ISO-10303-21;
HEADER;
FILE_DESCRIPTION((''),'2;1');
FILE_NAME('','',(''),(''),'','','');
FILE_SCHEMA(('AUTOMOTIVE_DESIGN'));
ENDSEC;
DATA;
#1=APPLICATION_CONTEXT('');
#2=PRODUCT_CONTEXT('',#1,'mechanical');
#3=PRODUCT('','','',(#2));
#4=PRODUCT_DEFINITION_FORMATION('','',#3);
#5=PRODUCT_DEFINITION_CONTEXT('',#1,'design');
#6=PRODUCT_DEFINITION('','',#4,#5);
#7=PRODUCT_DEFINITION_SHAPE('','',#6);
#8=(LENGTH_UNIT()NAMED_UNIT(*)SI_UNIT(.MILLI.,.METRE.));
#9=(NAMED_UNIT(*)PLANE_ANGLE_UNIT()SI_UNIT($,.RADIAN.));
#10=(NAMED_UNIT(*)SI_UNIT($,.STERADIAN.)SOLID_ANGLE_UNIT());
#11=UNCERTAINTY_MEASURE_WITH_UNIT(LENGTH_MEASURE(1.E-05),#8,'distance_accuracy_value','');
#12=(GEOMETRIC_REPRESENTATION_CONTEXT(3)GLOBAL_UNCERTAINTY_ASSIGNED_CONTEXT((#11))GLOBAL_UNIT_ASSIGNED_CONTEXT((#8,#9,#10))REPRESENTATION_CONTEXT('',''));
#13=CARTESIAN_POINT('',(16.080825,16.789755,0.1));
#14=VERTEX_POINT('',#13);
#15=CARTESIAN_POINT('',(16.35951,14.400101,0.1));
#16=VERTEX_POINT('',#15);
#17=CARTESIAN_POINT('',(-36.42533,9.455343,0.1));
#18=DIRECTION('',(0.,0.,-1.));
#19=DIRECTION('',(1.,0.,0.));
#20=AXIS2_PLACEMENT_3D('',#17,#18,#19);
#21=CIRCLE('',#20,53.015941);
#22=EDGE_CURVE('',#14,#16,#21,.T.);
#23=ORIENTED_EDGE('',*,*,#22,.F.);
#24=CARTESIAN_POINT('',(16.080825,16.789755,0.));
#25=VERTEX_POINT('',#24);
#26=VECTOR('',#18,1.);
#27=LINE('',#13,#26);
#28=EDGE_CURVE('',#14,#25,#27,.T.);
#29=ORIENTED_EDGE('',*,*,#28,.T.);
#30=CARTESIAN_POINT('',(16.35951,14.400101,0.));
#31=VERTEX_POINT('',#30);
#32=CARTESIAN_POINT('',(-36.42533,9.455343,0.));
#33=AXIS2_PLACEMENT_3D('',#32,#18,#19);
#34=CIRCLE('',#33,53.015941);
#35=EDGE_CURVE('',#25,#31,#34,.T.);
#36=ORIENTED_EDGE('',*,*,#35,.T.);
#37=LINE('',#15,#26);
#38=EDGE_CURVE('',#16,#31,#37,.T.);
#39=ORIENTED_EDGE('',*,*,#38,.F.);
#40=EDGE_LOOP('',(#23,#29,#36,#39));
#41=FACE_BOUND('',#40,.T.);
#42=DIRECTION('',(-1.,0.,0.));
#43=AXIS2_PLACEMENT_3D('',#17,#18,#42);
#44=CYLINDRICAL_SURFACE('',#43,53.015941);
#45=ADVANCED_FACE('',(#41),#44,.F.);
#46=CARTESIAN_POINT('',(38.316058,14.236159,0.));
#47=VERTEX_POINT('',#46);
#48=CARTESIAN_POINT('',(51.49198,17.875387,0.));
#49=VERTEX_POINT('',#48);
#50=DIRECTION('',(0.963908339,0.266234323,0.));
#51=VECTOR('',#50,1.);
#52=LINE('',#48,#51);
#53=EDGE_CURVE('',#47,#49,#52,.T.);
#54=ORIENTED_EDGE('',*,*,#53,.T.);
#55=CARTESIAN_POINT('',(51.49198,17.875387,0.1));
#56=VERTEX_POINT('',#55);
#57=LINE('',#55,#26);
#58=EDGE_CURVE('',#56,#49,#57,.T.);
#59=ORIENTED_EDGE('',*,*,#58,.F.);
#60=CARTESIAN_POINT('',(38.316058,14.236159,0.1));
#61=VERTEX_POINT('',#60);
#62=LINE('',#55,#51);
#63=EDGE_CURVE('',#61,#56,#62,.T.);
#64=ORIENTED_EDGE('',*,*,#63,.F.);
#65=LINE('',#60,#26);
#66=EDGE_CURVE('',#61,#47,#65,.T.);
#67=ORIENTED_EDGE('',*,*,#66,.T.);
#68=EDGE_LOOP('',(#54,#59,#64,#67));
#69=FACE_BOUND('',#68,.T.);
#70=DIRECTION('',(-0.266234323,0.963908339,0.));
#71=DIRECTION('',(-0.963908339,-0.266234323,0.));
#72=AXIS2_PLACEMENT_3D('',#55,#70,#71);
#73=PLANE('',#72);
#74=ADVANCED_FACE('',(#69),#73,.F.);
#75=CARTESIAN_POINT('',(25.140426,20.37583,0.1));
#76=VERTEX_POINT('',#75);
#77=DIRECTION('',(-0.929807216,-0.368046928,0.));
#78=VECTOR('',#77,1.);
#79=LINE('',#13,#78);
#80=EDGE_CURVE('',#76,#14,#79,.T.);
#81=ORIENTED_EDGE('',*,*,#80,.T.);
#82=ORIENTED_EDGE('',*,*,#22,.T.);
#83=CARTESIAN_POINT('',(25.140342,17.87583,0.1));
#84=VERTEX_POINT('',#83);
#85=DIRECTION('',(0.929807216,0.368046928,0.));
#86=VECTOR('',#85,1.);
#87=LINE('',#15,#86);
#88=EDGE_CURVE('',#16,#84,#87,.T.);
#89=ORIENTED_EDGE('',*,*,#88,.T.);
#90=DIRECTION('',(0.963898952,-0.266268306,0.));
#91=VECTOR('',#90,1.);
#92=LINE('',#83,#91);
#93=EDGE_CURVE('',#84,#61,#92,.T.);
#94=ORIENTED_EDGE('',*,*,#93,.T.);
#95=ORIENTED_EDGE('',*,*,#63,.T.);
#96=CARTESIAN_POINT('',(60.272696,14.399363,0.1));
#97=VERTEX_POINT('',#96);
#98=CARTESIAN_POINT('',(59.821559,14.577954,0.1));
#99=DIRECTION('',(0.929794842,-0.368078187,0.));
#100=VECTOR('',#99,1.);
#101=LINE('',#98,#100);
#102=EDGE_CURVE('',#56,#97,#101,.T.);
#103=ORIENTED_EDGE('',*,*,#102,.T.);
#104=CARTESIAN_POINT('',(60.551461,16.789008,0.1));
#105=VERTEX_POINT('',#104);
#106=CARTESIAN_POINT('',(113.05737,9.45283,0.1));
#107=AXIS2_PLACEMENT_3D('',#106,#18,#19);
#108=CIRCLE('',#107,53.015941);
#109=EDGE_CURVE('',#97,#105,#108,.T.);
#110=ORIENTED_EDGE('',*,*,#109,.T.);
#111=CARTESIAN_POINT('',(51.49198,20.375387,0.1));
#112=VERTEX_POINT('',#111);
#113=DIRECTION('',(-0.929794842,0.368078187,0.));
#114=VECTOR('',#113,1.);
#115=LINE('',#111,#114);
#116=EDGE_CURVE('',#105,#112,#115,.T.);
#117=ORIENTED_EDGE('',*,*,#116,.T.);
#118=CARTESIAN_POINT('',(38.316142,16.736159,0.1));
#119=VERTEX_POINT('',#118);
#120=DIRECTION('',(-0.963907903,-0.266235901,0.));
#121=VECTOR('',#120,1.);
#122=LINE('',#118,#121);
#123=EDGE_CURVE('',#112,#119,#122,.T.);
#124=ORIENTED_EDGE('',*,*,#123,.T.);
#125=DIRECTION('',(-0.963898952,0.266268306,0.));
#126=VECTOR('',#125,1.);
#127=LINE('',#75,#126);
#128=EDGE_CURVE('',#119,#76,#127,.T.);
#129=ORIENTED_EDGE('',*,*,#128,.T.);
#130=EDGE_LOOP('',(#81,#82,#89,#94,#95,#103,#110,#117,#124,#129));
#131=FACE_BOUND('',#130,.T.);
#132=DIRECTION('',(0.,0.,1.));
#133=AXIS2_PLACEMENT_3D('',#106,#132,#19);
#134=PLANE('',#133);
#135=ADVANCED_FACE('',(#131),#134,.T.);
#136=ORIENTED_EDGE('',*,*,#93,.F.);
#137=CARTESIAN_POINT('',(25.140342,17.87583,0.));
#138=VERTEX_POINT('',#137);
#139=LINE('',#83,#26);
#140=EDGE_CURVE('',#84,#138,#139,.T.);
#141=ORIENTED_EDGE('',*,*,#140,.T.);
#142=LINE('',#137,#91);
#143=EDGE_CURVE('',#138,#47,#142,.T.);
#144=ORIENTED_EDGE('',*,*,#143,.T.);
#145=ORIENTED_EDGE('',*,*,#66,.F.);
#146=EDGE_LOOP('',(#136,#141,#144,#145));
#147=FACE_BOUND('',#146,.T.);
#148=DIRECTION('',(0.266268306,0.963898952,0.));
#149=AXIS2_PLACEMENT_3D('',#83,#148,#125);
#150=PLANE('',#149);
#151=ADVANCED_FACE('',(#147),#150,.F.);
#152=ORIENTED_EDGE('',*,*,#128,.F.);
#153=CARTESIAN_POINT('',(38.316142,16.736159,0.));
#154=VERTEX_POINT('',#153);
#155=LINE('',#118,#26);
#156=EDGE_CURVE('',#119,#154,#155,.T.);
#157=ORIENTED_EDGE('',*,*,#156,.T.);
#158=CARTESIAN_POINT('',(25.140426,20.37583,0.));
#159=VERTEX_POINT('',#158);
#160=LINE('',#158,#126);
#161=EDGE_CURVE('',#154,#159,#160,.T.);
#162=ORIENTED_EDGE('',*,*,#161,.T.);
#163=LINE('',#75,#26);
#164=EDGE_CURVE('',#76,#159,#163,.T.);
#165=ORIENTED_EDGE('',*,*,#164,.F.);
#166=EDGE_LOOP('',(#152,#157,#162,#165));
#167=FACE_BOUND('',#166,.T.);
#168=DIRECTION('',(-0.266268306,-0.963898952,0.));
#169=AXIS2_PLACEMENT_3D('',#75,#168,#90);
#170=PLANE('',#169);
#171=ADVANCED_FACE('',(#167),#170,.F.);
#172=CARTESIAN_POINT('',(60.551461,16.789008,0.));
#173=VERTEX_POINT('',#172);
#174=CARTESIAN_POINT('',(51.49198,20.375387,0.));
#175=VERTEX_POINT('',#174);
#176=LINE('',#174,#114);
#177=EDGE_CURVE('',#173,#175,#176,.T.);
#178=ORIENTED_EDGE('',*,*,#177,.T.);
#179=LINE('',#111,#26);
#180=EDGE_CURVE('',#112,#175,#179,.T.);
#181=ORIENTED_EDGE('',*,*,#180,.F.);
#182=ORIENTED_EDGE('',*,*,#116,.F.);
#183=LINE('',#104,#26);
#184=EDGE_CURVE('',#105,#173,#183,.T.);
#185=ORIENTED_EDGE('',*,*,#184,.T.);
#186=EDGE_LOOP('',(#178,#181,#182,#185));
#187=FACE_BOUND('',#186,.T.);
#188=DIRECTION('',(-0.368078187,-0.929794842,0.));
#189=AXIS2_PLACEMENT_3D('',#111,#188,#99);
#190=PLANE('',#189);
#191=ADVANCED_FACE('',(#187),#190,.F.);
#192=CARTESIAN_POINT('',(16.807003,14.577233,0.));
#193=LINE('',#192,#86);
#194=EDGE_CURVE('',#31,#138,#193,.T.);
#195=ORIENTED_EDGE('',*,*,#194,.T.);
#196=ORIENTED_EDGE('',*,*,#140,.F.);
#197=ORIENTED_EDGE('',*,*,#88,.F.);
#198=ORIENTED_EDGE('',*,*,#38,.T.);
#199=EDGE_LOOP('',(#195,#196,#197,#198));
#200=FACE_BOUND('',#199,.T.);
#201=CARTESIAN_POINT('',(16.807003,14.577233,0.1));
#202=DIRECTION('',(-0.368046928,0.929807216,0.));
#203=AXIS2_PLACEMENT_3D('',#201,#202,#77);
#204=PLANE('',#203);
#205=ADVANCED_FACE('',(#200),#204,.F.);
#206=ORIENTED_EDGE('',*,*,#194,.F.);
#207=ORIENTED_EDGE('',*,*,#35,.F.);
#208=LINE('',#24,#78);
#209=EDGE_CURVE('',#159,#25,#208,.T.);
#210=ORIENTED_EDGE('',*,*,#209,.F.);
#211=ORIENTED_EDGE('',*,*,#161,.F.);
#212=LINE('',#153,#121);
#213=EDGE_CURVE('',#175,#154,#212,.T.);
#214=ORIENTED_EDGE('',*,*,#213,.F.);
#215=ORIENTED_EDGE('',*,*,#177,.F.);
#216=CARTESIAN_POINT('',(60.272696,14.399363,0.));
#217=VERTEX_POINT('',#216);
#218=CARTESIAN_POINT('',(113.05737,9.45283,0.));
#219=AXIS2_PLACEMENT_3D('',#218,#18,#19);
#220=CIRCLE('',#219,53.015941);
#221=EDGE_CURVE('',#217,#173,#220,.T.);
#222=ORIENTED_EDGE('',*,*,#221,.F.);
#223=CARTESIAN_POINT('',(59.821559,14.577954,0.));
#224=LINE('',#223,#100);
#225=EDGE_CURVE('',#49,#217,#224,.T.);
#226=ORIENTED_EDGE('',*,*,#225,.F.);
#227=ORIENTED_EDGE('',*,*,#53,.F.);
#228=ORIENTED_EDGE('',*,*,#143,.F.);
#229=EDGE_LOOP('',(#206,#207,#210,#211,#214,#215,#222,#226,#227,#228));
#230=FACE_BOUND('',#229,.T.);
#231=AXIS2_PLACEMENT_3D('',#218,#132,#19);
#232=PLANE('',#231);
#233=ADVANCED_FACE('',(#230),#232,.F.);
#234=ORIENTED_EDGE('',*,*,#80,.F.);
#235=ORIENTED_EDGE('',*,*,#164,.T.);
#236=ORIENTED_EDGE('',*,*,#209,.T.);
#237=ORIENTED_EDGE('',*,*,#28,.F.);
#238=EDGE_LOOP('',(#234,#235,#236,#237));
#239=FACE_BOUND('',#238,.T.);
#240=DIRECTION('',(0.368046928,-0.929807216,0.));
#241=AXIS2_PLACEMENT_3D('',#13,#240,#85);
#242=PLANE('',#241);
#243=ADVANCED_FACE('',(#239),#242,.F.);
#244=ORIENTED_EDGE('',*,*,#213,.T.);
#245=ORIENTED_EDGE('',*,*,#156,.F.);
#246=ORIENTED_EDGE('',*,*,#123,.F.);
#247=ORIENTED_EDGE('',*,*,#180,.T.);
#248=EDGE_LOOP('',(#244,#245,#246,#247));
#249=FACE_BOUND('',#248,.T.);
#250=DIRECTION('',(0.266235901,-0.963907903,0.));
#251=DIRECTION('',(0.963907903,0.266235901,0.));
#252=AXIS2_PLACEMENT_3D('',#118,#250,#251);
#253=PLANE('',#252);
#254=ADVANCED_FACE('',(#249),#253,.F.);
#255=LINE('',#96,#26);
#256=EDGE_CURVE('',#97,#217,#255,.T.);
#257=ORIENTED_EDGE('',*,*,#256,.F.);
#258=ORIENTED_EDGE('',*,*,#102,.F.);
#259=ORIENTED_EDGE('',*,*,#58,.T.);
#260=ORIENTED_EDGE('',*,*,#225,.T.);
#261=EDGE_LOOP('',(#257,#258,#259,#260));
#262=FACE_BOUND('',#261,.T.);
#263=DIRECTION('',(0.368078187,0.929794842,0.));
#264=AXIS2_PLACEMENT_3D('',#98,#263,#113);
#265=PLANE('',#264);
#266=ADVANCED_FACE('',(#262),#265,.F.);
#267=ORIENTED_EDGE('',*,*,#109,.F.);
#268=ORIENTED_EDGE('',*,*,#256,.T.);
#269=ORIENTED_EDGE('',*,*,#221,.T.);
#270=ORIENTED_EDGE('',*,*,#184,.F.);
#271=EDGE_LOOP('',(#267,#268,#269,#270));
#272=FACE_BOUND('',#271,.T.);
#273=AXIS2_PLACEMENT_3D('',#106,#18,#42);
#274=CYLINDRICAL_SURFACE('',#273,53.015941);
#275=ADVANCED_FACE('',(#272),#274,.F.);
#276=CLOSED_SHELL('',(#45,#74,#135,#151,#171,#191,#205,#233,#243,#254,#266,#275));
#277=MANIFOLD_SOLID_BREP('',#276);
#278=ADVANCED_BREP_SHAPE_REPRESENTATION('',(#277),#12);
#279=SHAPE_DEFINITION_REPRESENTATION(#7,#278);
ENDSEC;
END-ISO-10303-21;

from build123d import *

# Parameters (mm, degrees)
SALIENTE_EXTRUIR1_DEPTH = 0.1


with BuildPart() as part:
    # Model → Saliente-Extruir1 (new body)
    with BuildSketch(Plane.XY):
        with BuildLine():
            Line((59.821558845, 14.577954318), (60.272695606, 14.399362661))
            ThreePointArc((60.272695606, 14.399362661), (60.398521137, 15.595766769), (60.551460532, 16.789007899))
            Line((60.551460532, 16.789007899), (51.49198027, 20.375387298))
            Line((51.49198027, 20.375387298), (38.316142065, 16.736158757))
            Line((38.316142065, 16.736158757), (25.140426213, 20.375830252))
            Line((25.140426213, 20.375830252), (16.080825387, 16.789755425))
            ThreePointArc((16.080825387, 16.789755425), (16.233724667, 15.596509154), (16.359509975, 14.400100817))
            Line((16.359509975, 14.400100817), (16.807003209, 14.577232707))
            Line((16.807003209, 14.577232707), (25.140342166, 17.875830254))
            Line((25.140342166, 17.875830254), (38.316058018, 14.236158759))
            Line((38.316058018, 14.236158759), (51.49198027, 17.875387298))
            Line((51.49198027, 17.875387298), (59.821558845, 14.577954318))
        make_face()
    extrude(amount=SALIENTE_EXTRUIR1_DEPTH)


solid = part.part
